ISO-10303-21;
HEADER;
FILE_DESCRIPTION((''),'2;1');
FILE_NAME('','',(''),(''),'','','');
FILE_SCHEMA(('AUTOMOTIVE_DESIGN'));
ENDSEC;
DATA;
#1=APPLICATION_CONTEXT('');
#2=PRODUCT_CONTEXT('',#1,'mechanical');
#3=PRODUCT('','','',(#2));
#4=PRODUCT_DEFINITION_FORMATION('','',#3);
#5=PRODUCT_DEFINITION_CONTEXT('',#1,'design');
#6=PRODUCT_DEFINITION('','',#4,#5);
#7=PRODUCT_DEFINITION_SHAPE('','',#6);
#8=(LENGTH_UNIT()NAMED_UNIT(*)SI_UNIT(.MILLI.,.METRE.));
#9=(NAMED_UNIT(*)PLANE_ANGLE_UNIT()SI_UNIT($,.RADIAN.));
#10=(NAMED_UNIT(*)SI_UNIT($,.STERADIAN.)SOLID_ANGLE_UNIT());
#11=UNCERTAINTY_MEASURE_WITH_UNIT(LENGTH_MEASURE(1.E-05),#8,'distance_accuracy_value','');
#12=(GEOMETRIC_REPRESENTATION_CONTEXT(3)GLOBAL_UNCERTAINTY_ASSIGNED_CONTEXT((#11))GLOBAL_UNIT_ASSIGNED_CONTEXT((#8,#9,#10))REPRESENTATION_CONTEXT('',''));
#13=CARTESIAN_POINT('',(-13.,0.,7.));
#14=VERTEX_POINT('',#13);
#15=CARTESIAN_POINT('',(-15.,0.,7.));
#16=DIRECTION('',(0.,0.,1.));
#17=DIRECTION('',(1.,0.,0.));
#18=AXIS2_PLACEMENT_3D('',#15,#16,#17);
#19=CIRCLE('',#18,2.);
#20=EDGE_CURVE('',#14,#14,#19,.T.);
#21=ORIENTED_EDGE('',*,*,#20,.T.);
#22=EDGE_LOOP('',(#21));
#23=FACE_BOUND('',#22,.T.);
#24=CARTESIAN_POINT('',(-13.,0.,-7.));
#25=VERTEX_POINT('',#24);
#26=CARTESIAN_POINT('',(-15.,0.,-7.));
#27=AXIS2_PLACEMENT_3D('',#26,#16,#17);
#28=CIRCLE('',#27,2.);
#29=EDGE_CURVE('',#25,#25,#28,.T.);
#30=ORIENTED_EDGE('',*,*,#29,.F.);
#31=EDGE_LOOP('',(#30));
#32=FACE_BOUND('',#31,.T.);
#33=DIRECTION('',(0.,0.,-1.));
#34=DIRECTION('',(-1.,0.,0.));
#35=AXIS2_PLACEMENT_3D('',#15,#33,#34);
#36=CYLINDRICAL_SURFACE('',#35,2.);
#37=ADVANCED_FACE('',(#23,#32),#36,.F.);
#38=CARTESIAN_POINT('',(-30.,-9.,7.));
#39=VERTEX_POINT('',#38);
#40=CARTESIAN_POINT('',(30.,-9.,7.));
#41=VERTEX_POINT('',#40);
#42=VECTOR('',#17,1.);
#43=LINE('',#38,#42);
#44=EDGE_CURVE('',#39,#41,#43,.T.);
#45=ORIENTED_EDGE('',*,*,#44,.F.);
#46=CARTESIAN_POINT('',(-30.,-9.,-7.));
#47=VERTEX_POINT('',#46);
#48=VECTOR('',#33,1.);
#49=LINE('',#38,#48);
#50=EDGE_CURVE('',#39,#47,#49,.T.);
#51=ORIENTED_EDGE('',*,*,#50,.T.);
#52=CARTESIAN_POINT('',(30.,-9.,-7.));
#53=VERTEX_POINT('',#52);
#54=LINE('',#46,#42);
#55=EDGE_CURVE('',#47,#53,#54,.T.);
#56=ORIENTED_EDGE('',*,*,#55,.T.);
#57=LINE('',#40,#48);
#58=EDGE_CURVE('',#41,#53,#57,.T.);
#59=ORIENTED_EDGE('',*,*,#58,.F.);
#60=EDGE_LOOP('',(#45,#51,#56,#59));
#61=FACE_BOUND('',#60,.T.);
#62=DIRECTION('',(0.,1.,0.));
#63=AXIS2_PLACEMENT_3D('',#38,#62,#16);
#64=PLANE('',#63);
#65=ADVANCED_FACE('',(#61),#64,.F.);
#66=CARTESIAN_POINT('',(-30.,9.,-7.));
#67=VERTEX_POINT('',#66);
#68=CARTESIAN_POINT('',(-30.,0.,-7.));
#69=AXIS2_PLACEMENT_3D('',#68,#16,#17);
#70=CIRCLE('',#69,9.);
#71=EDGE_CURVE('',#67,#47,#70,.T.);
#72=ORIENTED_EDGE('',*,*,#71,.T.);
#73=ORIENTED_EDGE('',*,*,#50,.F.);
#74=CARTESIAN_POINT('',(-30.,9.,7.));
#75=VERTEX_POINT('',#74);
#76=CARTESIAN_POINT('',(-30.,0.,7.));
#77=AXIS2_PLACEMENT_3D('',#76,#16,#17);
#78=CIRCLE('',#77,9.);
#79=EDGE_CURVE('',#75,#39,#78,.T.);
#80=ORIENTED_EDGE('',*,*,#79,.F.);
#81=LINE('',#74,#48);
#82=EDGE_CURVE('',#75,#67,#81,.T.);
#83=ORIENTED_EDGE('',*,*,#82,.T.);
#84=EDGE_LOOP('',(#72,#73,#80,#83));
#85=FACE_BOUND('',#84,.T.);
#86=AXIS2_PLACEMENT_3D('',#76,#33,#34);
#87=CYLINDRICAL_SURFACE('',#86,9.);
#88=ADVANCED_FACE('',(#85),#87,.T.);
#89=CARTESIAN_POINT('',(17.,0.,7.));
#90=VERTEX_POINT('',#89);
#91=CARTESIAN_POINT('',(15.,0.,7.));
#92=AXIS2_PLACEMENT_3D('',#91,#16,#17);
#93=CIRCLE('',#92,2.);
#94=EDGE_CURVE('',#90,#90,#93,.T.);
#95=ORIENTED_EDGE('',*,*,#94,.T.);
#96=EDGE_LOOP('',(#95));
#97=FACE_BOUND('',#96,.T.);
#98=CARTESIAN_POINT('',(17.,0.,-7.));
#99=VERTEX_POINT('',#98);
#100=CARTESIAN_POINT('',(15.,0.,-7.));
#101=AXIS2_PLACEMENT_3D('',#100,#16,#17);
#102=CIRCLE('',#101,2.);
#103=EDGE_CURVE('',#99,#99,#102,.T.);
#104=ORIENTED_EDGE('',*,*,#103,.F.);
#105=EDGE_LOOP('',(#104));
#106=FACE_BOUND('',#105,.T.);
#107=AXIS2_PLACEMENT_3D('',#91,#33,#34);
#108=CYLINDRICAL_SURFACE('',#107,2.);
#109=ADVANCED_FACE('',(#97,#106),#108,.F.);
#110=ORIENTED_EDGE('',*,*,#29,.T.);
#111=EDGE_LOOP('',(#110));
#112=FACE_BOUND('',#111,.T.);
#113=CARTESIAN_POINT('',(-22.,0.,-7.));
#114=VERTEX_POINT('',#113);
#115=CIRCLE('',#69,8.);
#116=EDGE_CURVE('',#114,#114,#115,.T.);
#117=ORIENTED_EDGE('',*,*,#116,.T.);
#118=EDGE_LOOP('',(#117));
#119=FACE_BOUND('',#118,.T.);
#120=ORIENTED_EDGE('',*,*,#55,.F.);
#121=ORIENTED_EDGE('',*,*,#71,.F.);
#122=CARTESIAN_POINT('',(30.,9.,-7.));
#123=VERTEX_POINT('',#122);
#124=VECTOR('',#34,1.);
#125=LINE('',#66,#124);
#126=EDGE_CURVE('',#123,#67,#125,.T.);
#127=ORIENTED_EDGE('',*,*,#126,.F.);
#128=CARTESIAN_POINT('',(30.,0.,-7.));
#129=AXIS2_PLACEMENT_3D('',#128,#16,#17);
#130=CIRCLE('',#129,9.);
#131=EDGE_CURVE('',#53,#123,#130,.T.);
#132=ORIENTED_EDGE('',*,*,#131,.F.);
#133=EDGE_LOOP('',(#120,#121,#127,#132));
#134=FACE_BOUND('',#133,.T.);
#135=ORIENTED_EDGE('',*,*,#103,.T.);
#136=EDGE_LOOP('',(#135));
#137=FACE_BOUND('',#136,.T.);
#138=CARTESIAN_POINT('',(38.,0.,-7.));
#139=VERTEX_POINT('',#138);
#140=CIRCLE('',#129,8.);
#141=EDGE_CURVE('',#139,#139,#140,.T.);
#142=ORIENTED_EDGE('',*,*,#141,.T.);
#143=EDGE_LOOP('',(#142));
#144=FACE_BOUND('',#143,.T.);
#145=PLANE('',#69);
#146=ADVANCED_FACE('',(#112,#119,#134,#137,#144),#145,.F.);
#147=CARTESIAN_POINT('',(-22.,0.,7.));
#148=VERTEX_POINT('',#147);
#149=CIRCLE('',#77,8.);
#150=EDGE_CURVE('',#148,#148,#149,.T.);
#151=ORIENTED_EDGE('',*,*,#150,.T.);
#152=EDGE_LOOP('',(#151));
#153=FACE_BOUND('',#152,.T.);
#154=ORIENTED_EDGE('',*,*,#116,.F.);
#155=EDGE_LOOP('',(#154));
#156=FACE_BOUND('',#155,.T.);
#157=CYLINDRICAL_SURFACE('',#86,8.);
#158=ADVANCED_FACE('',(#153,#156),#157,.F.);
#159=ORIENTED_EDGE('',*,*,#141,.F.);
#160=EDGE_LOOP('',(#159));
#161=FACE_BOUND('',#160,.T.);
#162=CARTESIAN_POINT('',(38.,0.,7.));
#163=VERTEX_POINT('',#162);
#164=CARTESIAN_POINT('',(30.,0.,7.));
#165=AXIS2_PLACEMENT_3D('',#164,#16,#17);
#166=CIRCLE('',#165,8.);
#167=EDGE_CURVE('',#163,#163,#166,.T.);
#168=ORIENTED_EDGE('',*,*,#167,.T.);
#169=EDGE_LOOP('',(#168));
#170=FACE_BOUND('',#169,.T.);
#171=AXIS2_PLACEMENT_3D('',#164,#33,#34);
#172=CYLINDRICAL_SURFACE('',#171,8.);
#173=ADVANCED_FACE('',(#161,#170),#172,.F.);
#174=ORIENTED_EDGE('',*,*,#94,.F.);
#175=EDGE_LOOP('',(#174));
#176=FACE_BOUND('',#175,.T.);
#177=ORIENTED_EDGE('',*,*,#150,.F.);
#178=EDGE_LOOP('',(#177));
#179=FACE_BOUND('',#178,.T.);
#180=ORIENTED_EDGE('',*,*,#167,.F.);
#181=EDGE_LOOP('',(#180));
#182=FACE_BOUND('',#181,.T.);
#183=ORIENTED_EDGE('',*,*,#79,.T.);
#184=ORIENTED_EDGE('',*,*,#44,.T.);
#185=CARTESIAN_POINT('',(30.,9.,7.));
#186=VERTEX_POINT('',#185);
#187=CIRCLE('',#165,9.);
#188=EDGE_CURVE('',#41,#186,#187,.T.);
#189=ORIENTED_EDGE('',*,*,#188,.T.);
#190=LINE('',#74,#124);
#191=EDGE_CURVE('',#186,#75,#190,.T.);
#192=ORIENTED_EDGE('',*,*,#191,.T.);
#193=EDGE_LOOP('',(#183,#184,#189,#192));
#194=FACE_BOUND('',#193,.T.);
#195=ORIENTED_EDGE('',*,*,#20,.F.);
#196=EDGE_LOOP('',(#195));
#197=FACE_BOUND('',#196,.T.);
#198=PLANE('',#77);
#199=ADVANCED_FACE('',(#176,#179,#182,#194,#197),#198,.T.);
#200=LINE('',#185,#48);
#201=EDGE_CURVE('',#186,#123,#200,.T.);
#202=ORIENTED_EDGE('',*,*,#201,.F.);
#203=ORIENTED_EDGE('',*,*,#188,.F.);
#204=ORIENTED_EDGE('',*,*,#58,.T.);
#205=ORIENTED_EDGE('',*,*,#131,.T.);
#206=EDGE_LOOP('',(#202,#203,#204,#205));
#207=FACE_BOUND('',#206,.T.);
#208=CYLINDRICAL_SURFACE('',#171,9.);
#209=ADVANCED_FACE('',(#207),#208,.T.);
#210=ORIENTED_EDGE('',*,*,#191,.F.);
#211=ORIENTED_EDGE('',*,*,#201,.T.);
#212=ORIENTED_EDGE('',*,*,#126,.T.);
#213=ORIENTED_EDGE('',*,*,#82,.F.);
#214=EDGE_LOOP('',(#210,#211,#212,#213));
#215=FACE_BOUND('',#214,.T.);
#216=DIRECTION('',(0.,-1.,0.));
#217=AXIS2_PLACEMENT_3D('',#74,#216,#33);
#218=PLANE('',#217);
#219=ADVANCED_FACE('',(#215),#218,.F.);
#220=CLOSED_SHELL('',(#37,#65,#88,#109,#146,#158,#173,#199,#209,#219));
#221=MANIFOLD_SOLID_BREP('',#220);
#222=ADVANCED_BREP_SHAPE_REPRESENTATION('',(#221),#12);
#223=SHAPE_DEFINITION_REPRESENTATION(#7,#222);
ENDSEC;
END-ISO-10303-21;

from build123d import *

# Parameters (mm, degrees)
SKETCH1_R           = 2
SKETCH1_R_2         = 8
BOSS_EXTRUDE1_DEPTH = 7


with BuildPart() as part:
    # Sketch1 → Boss-Extrude1 (new, symmetric)
    with BuildSketch(Plane.XY):
        with BuildLine():
            Line((-30, 9), (30, 9))
            ThreePointArc((30, 9), (39, 0), (30, -9))
            Line((30, -9), (-30, -9))
            ThreePointArc((-30, -9), (-39, 0), (-30, 9))
        make_face()
        with Locations((-15, 0)):
            Circle(SKETCH1_R, mode=Mode.SUBTRACT)
        with Locations((15, 0)):
            Circle(SKETCH1_R, mode=Mode.SUBTRACT)
        with Locations((-30, 0)):
            Circle(SKETCH1_R_2, mode=Mode.SUBTRACT)
        with Locations((30, 0)):
            Circle(SKETCH1_R_2, mode=Mode.SUBTRACT)
    extrude(amount=BOSS_EXTRUDE1_DEPTH, both=True)


solid = part.part
